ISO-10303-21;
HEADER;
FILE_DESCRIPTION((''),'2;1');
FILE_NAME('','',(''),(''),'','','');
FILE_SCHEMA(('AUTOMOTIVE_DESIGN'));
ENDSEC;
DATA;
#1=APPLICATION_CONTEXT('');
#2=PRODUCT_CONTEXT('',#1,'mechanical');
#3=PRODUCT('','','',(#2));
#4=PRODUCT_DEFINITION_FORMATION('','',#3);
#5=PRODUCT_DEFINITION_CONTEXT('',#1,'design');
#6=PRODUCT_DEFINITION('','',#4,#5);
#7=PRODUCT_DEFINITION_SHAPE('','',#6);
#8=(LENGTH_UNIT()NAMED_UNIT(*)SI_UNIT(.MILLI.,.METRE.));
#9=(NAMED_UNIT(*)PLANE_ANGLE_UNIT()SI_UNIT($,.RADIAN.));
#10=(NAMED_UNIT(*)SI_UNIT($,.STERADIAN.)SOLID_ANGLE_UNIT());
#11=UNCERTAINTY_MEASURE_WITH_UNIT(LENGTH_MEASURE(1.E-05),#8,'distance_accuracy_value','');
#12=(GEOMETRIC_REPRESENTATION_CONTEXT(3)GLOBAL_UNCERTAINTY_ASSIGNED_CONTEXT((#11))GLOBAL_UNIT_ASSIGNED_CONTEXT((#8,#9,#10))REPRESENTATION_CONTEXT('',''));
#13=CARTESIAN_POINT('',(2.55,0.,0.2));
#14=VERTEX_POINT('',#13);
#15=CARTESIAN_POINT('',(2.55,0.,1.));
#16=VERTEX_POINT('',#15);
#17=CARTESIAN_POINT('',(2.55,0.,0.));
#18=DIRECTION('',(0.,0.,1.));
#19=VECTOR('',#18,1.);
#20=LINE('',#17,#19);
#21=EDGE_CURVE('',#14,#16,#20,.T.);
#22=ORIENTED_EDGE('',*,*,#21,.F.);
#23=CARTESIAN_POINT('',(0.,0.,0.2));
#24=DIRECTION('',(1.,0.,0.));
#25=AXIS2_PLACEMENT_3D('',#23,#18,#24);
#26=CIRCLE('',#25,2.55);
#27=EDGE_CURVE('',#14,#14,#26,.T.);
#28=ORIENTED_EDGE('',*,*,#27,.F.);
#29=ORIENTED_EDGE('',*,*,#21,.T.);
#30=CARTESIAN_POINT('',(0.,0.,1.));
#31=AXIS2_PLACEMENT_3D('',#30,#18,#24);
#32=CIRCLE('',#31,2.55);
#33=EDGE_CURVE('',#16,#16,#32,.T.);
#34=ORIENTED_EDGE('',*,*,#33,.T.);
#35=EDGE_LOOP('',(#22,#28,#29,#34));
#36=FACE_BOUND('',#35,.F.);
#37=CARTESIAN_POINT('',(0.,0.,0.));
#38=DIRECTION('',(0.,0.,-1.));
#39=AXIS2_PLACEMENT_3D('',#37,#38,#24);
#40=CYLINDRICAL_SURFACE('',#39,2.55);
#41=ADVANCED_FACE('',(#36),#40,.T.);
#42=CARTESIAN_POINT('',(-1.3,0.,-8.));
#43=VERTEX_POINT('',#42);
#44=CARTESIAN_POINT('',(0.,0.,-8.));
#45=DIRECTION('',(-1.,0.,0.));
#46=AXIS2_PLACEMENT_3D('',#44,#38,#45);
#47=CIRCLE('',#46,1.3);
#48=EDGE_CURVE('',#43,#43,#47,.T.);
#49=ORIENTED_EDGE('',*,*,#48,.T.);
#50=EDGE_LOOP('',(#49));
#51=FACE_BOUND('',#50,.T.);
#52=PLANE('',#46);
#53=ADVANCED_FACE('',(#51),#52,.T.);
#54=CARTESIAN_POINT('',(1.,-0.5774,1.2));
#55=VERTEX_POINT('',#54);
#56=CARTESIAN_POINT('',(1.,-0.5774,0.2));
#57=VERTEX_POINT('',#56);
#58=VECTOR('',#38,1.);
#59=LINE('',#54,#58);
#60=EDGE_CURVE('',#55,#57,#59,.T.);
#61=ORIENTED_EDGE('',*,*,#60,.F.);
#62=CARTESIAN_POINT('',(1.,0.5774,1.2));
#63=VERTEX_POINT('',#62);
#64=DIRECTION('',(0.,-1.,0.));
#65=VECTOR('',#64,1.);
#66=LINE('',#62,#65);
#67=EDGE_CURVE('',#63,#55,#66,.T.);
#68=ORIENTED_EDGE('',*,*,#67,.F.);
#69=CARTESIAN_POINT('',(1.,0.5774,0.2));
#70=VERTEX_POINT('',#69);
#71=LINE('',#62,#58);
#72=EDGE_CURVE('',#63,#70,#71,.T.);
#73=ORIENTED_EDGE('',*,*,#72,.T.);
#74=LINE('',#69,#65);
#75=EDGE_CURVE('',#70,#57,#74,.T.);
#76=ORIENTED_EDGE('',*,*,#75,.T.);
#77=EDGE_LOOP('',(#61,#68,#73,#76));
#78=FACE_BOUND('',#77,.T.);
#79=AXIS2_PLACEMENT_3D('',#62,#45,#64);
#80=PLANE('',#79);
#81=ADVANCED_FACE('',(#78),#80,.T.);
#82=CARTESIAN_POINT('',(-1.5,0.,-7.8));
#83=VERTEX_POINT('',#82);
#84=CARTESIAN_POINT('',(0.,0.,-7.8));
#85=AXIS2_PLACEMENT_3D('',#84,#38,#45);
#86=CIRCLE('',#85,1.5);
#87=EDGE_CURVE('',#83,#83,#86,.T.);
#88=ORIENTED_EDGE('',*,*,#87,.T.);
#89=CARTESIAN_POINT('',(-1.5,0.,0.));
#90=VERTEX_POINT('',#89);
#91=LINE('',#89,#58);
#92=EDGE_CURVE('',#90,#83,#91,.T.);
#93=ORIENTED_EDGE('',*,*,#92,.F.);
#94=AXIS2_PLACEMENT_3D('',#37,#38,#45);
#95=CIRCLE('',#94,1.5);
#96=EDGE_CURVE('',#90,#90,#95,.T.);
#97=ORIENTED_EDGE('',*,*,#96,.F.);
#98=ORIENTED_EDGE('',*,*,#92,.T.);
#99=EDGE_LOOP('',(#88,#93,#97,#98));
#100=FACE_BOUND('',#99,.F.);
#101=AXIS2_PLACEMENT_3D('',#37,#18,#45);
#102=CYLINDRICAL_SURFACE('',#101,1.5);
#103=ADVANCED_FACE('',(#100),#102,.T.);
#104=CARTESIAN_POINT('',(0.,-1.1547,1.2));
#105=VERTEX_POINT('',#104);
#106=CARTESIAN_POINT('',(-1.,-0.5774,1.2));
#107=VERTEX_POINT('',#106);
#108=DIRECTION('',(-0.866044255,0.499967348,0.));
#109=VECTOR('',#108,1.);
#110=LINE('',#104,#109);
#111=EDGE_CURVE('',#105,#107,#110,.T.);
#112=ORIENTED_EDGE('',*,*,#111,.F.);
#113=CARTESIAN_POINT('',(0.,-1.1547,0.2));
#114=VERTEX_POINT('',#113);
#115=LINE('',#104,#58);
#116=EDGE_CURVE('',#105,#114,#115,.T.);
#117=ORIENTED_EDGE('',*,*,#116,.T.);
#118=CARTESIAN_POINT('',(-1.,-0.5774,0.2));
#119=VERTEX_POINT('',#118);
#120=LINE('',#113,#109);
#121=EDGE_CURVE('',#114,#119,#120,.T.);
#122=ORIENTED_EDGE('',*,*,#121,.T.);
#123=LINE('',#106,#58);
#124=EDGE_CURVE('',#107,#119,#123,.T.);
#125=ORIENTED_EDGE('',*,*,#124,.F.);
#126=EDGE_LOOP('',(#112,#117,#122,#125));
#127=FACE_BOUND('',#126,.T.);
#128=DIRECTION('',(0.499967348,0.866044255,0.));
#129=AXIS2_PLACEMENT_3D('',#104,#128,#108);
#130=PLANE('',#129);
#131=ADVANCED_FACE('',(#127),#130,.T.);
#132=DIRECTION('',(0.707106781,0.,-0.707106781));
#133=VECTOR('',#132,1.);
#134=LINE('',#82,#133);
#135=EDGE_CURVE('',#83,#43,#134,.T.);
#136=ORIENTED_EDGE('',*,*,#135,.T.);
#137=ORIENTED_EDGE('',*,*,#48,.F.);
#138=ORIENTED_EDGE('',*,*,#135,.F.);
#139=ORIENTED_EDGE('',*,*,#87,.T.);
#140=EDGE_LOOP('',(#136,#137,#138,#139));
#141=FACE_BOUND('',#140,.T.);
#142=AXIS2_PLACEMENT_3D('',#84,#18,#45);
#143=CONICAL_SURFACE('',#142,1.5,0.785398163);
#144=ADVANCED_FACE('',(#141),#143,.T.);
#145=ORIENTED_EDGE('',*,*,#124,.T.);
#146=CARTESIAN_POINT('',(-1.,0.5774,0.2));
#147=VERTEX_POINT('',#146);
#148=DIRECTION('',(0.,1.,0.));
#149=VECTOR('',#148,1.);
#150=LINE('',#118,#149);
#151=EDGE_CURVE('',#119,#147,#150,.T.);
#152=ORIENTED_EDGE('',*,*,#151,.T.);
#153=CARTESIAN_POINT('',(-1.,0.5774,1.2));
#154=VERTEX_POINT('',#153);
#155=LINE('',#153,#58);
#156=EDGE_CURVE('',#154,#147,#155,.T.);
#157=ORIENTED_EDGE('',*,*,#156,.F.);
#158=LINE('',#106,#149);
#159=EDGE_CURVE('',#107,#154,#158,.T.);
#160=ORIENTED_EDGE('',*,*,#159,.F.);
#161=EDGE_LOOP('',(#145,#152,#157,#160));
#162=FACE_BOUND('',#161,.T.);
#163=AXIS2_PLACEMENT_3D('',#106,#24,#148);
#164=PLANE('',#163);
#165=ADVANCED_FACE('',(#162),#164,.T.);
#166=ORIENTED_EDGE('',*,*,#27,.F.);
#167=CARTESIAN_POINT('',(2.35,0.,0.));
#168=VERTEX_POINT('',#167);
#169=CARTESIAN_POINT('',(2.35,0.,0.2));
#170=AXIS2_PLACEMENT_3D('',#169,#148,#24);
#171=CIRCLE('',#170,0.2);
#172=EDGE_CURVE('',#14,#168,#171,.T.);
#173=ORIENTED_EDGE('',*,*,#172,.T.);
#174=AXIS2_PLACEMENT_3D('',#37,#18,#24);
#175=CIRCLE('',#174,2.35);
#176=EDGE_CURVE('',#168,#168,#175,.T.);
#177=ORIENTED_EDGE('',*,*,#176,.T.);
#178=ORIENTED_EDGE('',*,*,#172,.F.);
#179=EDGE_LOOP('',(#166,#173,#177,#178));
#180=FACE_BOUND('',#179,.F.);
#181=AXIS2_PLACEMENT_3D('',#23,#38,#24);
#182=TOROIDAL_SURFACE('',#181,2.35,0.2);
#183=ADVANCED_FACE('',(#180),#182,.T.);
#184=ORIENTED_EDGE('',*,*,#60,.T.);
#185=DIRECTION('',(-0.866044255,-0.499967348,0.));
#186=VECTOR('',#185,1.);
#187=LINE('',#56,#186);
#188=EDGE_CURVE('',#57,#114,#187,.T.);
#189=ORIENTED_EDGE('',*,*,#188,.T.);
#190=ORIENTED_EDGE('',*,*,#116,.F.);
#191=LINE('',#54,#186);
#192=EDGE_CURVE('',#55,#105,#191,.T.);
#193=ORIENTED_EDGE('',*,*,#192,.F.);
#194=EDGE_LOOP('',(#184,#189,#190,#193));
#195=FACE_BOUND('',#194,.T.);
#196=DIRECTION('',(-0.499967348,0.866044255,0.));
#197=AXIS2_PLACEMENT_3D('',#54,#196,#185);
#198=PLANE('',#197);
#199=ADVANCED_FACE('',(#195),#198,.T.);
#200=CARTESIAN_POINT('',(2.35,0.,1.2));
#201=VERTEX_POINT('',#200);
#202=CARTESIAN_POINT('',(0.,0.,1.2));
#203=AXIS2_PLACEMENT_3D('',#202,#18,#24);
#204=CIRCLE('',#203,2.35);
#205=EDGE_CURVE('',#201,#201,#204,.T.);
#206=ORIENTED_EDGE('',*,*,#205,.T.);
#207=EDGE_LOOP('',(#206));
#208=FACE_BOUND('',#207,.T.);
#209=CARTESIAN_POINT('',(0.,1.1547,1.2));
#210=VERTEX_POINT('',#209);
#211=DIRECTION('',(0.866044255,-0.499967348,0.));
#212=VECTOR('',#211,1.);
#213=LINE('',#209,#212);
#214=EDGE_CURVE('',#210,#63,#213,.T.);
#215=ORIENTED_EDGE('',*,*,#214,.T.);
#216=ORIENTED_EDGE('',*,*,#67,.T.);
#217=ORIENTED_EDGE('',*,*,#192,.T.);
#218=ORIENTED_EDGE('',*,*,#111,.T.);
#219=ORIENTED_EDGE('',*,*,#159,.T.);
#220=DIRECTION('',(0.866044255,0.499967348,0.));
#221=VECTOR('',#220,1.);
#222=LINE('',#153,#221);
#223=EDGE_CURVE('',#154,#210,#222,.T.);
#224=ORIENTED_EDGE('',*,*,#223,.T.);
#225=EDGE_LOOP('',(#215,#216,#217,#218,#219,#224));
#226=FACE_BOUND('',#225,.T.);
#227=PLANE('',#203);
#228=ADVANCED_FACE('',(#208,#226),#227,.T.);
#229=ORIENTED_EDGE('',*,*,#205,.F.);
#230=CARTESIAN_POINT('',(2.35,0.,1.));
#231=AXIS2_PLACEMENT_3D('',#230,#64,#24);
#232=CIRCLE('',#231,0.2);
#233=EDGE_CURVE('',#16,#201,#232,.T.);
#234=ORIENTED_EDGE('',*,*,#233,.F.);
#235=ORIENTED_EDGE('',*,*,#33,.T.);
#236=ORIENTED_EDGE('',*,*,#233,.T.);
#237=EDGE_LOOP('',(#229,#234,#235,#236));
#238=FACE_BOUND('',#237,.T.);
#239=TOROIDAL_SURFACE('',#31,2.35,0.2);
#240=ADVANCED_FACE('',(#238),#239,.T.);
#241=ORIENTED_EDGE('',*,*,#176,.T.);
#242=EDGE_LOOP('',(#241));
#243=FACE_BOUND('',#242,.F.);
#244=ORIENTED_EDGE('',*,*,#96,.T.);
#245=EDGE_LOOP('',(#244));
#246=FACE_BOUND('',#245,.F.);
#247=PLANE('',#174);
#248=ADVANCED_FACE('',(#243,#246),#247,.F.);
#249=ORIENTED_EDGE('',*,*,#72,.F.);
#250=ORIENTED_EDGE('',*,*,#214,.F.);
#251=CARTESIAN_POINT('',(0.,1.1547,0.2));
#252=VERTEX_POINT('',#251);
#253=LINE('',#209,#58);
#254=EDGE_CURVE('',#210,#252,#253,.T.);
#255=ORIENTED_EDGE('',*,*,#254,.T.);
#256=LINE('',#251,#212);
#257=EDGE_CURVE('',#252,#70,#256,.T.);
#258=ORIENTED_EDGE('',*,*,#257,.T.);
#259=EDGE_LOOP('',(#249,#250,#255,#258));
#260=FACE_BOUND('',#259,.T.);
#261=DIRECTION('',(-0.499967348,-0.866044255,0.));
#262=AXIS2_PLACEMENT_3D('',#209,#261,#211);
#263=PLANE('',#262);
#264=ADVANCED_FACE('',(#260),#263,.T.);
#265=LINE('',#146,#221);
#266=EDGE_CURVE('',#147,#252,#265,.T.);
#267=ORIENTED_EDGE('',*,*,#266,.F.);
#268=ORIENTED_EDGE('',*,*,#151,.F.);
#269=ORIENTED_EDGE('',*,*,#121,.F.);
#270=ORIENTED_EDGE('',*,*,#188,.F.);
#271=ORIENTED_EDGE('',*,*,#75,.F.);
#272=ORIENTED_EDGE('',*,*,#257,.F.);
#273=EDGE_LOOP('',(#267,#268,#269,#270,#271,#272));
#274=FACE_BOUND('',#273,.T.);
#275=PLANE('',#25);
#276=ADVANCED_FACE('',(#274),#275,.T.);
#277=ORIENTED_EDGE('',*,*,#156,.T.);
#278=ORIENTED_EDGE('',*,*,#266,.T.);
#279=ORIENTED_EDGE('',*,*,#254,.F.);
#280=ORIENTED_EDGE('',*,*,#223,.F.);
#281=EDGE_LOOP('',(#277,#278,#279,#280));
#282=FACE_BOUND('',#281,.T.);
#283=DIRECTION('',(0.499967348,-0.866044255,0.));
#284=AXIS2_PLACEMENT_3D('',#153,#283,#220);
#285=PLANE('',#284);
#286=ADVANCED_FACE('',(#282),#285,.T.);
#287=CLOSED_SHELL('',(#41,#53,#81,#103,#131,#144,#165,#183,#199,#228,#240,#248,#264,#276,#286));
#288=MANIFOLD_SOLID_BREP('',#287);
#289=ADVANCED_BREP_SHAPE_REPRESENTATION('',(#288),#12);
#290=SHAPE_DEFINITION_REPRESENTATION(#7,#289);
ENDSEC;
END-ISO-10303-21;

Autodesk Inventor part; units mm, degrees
ref_plane "YZ Plane" through (0, 0, 0) normal (1, 0, 0) x (0, 1, 0)
ref_plane "XZ Plane" through (0, 0, 0) normal (0, 1, 0) x (-1, 0, 0)
ref_plane "XY Plane" through (0, 0, 0) normal (0, 0, 1) x (1, 0, 0)
sketch "スケッチ1" plane through (0, 0, 0) normal (0, 0, 1) x (1, 0, 0)
  circle A0 centre (0, 0) radius 2.55
  dimension "d0" = 5.1
extrude "押し出し1" add sketch "スケッチ1" along normal blind 1.2
sketch "スケッチ2" plane through (0, 0, 0) normal (0, 0, -1) x (-1, 0, 0)
  circle A0 centre (0, 0) radius 2.55 projected
  circle A1 centre (0, 0) radius 1.5
  dimension "d3" = 3
extrude "押し出し2" add sketch "スケッチ2" along normal blind 8 contours A1
thread "ねじ1" size "M3x0.5" class "6g" standard "ANSI Metric M Profile" full length
sketch "スケッチ3" plane through (0, 0, 1.2) normal (0, 0, 1) x (1, 0, 0)
  circle A0 centre (0, 0) radius 2.55 projected
  line L0 (0, 1.1547) -> (1, 0.5774)
  line L1 (1, 0.5774) -> (1, -0.5774)
  line L2 (1, -0.5774) -> (0, -1.1547)
  line L3 (0, -1.1547) -> (-1, -0.5774)
  line L4 (-1, -0.5774) -> (-1, 0.5774)
  line L5 (-1, 0.5774) -> (0, 1.1547)
  dimension "d8" = 2
extrude "押し出し3" cut sketch "スケッチ3" against normal blind 1 contours L0 L1 L2 L3 L4 L5
fillet "フィレット1" radius 0.2 2 edges at (-2.55, 0, 1.2) (-2.55, 0, 0)
chamfer "面取り1" distance 0.2 angle 45 1 edges at (1.5, 0, -8)
properties part number "六角穴付低頭平 M3 x 8" material "鋼"
